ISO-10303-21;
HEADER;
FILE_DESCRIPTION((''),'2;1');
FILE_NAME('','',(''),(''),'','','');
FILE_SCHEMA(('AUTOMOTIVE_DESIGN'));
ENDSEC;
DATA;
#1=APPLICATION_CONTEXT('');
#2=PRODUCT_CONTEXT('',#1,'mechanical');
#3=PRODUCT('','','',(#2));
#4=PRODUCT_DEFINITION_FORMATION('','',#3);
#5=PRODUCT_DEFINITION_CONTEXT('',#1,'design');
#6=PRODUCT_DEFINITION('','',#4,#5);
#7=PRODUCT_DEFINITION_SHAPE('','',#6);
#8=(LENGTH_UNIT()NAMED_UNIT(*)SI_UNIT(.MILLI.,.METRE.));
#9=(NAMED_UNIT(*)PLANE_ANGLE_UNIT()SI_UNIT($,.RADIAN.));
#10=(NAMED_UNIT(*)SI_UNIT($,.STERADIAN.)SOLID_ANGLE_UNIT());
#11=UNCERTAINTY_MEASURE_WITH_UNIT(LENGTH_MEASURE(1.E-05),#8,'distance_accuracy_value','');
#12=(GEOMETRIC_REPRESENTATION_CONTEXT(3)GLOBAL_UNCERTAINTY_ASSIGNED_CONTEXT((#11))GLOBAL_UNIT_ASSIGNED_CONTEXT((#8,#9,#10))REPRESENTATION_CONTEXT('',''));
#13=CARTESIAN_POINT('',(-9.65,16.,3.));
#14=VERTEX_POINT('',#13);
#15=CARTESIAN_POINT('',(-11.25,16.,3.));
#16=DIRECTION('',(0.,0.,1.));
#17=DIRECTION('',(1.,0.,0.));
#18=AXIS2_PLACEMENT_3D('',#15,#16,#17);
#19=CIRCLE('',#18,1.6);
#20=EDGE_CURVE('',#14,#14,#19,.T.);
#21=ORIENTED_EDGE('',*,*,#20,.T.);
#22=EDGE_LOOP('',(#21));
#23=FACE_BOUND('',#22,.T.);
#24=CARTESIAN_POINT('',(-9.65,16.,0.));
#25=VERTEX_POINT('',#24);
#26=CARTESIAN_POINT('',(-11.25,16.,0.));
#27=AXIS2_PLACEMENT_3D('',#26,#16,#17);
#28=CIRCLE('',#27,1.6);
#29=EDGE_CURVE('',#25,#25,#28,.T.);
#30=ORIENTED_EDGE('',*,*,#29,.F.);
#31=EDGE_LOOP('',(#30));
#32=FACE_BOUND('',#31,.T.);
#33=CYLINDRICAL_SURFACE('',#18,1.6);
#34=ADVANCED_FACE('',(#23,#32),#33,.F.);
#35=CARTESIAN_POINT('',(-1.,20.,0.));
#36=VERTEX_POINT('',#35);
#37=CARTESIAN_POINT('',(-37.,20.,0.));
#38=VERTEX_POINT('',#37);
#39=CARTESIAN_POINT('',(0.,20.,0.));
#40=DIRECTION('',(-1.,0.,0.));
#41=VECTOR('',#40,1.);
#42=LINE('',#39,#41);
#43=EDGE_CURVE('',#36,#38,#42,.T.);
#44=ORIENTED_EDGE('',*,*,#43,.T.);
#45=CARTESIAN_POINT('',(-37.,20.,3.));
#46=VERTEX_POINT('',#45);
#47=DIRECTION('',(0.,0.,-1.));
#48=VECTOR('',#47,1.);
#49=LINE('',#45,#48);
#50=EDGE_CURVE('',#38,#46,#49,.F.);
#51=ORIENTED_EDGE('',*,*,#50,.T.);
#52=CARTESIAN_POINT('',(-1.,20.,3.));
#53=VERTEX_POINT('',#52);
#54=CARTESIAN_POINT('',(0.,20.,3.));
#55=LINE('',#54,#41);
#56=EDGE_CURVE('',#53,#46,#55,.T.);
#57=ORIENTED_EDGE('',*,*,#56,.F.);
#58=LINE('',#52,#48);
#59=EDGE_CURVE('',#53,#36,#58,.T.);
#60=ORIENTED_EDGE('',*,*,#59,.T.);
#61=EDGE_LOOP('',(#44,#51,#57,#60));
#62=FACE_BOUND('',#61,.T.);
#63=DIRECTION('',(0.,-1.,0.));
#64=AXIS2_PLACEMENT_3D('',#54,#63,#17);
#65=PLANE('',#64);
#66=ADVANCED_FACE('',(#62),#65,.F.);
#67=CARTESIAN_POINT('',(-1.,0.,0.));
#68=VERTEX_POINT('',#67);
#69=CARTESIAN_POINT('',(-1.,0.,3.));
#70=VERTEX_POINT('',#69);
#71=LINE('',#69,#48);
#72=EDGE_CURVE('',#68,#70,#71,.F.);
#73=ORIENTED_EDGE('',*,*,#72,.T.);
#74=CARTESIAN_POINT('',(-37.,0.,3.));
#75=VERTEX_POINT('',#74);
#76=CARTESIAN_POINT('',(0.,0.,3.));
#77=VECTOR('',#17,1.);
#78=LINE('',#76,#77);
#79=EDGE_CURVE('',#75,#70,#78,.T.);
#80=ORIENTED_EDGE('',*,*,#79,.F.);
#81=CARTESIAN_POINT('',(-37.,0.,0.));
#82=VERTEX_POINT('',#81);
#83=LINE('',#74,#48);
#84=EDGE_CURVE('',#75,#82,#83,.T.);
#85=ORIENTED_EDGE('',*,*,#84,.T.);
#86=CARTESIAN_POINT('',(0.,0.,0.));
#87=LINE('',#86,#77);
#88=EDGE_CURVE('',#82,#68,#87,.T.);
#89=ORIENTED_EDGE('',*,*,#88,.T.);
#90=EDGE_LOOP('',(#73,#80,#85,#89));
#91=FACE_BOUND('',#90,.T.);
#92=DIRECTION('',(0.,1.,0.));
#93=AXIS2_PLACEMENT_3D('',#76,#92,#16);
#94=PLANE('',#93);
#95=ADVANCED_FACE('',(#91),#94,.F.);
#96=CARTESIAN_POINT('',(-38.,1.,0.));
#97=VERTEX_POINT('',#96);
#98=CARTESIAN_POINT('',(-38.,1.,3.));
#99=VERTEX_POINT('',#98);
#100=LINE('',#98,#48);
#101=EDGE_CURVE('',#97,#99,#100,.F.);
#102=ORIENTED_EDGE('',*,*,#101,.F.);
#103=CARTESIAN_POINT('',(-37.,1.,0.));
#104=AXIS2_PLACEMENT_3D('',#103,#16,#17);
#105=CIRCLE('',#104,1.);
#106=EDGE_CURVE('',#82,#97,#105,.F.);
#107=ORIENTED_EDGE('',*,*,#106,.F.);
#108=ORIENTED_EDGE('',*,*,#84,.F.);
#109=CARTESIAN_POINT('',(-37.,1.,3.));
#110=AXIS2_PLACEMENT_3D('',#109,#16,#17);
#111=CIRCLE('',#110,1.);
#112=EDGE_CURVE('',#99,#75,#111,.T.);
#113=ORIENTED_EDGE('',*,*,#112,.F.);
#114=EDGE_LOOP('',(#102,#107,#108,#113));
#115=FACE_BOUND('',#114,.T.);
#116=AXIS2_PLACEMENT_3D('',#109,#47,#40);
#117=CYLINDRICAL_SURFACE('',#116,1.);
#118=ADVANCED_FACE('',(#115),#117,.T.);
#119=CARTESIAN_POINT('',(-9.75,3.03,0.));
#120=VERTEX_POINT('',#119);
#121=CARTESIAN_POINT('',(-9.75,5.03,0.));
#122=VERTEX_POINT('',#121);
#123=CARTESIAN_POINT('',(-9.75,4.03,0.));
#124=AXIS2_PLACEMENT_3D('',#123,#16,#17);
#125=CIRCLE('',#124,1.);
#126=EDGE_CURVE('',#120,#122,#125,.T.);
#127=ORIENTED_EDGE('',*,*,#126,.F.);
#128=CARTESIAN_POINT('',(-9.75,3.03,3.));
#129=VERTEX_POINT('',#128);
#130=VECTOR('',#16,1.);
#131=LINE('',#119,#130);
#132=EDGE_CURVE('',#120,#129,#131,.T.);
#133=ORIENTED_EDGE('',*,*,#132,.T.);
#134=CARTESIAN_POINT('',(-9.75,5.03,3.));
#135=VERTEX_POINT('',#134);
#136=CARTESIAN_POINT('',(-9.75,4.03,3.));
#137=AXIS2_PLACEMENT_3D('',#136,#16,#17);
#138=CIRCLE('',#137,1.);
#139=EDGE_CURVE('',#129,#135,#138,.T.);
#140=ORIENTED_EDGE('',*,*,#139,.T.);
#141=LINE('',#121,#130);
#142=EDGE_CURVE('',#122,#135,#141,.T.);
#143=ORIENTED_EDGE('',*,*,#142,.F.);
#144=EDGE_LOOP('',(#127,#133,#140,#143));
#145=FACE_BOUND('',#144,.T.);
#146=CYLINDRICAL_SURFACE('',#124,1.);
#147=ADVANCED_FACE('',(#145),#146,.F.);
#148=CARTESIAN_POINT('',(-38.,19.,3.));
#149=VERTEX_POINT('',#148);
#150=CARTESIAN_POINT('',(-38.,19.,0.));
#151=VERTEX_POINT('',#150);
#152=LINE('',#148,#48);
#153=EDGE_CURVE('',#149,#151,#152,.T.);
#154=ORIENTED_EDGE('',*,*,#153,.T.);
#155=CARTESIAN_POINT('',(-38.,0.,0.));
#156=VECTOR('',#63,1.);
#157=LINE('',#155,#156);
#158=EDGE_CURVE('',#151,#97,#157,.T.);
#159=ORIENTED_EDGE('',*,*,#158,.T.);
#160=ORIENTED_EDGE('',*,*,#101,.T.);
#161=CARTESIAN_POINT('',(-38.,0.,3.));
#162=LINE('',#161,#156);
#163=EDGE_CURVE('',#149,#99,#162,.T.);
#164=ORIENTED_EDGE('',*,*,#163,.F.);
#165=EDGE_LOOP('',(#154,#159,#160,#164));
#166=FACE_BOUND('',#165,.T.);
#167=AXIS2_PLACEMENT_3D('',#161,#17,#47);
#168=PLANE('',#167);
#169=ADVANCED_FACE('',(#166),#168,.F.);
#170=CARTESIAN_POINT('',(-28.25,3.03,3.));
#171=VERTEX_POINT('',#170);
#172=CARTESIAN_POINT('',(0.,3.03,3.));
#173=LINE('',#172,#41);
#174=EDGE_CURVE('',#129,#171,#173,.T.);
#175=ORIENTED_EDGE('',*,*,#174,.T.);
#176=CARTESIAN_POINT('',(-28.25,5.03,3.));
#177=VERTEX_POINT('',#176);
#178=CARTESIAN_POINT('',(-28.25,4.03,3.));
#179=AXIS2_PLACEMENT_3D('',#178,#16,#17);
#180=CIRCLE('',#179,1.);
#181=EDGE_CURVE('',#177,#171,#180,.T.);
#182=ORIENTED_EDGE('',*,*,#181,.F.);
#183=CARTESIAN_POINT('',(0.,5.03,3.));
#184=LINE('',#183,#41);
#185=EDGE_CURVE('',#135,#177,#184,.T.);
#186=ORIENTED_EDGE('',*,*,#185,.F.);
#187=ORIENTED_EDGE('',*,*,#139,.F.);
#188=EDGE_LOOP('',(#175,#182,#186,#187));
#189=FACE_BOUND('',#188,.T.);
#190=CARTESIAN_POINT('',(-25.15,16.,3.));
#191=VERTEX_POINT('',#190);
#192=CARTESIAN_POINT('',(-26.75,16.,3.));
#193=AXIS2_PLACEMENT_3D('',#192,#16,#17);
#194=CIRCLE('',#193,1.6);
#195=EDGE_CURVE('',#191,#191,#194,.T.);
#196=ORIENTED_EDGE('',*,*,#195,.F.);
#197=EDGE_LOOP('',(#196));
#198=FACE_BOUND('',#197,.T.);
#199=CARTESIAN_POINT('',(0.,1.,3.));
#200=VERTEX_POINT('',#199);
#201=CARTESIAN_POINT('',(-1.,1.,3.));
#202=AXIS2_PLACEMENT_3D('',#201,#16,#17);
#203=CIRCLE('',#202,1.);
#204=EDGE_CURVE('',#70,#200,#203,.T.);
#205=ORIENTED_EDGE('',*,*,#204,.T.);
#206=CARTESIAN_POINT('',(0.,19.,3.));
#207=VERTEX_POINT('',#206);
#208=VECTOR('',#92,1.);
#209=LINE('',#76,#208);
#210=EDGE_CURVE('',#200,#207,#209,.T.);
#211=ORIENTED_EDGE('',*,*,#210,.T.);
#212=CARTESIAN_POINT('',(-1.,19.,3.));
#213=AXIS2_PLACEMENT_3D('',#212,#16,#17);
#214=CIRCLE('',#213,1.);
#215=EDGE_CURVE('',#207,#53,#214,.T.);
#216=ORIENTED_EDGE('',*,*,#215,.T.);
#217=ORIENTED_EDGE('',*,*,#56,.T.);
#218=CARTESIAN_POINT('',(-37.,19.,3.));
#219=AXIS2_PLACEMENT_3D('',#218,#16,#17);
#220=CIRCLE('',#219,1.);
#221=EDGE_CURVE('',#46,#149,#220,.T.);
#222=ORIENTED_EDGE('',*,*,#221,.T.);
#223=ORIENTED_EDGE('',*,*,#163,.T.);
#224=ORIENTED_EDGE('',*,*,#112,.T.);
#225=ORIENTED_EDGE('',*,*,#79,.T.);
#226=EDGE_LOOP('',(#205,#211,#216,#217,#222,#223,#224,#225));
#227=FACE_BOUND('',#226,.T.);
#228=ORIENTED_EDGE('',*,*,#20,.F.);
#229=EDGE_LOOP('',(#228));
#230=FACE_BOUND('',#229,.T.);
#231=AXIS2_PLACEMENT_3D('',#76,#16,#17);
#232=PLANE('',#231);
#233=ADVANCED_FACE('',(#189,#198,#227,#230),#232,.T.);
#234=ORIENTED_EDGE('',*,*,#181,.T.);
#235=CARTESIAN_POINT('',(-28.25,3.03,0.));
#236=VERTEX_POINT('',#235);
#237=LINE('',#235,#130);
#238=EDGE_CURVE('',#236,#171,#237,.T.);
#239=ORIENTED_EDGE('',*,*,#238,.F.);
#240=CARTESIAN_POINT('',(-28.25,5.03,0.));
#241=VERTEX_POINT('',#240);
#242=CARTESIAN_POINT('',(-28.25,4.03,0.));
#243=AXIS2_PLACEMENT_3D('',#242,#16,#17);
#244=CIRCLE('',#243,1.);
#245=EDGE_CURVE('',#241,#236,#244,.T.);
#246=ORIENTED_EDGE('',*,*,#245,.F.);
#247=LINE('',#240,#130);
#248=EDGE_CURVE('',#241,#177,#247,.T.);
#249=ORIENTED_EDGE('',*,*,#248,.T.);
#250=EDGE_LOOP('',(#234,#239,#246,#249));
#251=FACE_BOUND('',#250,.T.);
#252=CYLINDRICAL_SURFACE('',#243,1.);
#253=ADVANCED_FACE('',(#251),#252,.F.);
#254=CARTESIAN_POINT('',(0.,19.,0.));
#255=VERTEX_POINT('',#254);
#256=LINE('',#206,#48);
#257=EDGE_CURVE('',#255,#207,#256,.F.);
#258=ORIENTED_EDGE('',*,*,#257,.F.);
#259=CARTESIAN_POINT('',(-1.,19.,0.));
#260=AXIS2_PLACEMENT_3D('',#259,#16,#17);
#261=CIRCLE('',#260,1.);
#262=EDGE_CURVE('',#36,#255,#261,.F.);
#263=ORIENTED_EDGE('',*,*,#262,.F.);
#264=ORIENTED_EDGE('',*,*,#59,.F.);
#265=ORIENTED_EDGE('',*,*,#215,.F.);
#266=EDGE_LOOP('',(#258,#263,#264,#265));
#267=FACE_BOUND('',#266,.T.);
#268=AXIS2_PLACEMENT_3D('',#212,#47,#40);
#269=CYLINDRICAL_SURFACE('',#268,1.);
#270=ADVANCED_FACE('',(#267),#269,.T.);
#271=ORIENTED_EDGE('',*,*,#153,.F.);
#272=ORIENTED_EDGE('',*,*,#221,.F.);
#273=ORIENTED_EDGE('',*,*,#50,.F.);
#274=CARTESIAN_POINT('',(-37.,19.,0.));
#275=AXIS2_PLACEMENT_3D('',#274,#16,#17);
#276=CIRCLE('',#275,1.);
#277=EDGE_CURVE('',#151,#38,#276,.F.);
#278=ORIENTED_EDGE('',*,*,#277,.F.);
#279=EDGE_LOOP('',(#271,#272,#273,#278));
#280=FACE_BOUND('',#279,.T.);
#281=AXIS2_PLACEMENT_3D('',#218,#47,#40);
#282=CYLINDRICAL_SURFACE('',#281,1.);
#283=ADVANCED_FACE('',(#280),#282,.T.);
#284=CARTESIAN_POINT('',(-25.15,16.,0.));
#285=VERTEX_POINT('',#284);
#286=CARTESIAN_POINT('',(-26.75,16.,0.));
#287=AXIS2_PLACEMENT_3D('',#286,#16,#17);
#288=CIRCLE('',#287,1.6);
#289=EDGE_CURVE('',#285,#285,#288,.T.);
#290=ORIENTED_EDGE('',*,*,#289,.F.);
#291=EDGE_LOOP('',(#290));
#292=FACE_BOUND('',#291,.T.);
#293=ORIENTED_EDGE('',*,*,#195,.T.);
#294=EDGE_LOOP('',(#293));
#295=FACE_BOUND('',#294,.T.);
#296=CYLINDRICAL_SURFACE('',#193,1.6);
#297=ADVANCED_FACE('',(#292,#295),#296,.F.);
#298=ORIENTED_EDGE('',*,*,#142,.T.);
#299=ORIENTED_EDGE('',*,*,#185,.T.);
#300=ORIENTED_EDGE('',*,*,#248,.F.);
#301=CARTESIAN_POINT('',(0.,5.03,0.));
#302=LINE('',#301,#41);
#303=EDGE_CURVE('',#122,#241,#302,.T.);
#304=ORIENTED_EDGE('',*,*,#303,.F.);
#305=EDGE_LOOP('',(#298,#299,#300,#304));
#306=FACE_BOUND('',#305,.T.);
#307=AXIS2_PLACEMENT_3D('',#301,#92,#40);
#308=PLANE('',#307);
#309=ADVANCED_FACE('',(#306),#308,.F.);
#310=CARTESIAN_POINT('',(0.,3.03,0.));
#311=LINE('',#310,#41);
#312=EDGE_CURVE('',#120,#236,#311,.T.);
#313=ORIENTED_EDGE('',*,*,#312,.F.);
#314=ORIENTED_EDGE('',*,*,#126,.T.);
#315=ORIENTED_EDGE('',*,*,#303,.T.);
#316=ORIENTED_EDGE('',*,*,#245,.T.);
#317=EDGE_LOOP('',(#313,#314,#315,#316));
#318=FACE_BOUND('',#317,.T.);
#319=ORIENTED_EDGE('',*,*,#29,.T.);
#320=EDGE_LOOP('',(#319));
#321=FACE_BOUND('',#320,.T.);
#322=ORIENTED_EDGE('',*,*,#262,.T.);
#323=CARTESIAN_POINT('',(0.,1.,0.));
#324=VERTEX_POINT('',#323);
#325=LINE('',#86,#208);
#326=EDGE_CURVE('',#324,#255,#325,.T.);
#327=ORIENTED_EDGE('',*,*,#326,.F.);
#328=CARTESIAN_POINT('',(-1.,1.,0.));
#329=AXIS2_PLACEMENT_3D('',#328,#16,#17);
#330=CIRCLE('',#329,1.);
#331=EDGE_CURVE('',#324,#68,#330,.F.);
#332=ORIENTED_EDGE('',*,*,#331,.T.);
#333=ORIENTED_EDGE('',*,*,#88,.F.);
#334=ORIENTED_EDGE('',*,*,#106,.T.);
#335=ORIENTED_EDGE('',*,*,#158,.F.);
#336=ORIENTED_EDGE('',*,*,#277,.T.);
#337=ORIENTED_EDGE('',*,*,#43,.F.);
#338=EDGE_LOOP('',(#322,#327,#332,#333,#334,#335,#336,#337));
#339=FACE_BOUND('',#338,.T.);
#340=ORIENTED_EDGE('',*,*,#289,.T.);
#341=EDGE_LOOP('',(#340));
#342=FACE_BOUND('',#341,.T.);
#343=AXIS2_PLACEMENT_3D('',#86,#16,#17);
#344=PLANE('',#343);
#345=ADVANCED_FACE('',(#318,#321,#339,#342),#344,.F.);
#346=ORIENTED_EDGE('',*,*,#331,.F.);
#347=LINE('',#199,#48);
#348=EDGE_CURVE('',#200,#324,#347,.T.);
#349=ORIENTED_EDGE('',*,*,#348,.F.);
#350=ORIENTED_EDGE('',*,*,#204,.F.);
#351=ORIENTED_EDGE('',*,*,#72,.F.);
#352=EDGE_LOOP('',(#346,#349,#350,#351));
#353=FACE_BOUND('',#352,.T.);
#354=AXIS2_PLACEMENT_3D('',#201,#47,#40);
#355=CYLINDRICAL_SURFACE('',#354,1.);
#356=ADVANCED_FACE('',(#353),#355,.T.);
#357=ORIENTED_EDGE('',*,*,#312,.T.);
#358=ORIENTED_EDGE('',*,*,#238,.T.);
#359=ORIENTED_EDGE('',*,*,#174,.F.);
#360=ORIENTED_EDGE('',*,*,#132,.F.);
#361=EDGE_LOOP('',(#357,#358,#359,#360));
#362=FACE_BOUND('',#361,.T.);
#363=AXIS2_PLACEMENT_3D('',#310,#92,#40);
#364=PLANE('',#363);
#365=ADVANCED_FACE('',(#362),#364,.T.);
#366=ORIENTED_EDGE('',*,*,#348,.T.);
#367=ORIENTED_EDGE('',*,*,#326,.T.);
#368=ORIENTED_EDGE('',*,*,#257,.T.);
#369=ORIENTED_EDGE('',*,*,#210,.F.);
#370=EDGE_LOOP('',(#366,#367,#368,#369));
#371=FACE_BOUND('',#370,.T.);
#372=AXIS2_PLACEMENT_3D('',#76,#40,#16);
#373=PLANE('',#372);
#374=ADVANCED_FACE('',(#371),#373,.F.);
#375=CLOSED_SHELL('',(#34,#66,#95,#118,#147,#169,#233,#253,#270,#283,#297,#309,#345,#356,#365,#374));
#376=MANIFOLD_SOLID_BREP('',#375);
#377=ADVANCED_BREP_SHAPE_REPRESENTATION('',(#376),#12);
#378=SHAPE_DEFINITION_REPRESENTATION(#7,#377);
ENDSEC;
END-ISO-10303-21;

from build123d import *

# Parameters (mm, degrees)
SKETCH1_W                = 38
SKETCH1_H                = 20
BOSS_EXTRUDE1_DEPTH      = 3
M3_CLEARANCE_HOLE1_D     = 3.2
M3_CLEARANCE_HOLE1_DEPTH = 20
M3_CLEARANCE_HOLE1_TIP   = 0.96137699
CUT_EXTRUDE1_DEPTH       = 3
FILLET1_R                = 1


with BuildPart() as part:
    # Sketch1 → Boss-Extrude1 (new body)
    with BuildSketch(Plane.XY):
        with Locations((-19, 10)):
            Rectangle(SKETCH1_W, SKETCH1_H)
    extrude(amount=BOSS_EXTRUDE1_DEPTH)

    # M3 Clearance Hole1
    with Locations(Plane.XY.offset(3)):
        with Locations((-11.25, 16), (-26.75, 16)):
            Hole(M3_CLEARANCE_HOLE1_D / 2, depth=M3_CLEARANCE_HOLE1_DEPTH)
            with Locations((0, 0, -(M3_CLEARANCE_HOLE1_DEPTH + M3_CLEARANCE_HOLE1_TIP / 2))):  # 118° drill point
                Cone(0, M3_CLEARANCE_HOLE1_D / 2, M3_CLEARANCE_HOLE1_TIP, mode=Mode.SUBTRACT)

    # Sketch4 → Cut-Extrude1 (cut)
    with BuildSketch(Plane.XY.offset(3)):
        with BuildLine():
            Line((-9.75, 5.03), (-28.25, 5.03))
            ThreePointArc((-28.25, 5.03), (-29.25, 4.03), (-28.25, 3.03))
            Line((-28.25, 3.03), (-9.75, 3.03))
            ThreePointArc((-9.75, 3.03), (-8.75, 4.03), (-9.75, 5.03))
        make_face()
    extrude(amount=-CUT_EXTRUDE1_DEPTH, mode=Mode.SUBTRACT)

    # Fillet1
    fillet1_edges = [part.edges().sort_by_distance(p)[0] for p in [
        (0, 0, 1.5),
        (-38, 0, 1.5),
        (-38, 20, 1.5),
        (0, 20, 1.5),
    ]]
    fillet(fillet1_edges, radius=FILLET1_R)


solid = part.part
